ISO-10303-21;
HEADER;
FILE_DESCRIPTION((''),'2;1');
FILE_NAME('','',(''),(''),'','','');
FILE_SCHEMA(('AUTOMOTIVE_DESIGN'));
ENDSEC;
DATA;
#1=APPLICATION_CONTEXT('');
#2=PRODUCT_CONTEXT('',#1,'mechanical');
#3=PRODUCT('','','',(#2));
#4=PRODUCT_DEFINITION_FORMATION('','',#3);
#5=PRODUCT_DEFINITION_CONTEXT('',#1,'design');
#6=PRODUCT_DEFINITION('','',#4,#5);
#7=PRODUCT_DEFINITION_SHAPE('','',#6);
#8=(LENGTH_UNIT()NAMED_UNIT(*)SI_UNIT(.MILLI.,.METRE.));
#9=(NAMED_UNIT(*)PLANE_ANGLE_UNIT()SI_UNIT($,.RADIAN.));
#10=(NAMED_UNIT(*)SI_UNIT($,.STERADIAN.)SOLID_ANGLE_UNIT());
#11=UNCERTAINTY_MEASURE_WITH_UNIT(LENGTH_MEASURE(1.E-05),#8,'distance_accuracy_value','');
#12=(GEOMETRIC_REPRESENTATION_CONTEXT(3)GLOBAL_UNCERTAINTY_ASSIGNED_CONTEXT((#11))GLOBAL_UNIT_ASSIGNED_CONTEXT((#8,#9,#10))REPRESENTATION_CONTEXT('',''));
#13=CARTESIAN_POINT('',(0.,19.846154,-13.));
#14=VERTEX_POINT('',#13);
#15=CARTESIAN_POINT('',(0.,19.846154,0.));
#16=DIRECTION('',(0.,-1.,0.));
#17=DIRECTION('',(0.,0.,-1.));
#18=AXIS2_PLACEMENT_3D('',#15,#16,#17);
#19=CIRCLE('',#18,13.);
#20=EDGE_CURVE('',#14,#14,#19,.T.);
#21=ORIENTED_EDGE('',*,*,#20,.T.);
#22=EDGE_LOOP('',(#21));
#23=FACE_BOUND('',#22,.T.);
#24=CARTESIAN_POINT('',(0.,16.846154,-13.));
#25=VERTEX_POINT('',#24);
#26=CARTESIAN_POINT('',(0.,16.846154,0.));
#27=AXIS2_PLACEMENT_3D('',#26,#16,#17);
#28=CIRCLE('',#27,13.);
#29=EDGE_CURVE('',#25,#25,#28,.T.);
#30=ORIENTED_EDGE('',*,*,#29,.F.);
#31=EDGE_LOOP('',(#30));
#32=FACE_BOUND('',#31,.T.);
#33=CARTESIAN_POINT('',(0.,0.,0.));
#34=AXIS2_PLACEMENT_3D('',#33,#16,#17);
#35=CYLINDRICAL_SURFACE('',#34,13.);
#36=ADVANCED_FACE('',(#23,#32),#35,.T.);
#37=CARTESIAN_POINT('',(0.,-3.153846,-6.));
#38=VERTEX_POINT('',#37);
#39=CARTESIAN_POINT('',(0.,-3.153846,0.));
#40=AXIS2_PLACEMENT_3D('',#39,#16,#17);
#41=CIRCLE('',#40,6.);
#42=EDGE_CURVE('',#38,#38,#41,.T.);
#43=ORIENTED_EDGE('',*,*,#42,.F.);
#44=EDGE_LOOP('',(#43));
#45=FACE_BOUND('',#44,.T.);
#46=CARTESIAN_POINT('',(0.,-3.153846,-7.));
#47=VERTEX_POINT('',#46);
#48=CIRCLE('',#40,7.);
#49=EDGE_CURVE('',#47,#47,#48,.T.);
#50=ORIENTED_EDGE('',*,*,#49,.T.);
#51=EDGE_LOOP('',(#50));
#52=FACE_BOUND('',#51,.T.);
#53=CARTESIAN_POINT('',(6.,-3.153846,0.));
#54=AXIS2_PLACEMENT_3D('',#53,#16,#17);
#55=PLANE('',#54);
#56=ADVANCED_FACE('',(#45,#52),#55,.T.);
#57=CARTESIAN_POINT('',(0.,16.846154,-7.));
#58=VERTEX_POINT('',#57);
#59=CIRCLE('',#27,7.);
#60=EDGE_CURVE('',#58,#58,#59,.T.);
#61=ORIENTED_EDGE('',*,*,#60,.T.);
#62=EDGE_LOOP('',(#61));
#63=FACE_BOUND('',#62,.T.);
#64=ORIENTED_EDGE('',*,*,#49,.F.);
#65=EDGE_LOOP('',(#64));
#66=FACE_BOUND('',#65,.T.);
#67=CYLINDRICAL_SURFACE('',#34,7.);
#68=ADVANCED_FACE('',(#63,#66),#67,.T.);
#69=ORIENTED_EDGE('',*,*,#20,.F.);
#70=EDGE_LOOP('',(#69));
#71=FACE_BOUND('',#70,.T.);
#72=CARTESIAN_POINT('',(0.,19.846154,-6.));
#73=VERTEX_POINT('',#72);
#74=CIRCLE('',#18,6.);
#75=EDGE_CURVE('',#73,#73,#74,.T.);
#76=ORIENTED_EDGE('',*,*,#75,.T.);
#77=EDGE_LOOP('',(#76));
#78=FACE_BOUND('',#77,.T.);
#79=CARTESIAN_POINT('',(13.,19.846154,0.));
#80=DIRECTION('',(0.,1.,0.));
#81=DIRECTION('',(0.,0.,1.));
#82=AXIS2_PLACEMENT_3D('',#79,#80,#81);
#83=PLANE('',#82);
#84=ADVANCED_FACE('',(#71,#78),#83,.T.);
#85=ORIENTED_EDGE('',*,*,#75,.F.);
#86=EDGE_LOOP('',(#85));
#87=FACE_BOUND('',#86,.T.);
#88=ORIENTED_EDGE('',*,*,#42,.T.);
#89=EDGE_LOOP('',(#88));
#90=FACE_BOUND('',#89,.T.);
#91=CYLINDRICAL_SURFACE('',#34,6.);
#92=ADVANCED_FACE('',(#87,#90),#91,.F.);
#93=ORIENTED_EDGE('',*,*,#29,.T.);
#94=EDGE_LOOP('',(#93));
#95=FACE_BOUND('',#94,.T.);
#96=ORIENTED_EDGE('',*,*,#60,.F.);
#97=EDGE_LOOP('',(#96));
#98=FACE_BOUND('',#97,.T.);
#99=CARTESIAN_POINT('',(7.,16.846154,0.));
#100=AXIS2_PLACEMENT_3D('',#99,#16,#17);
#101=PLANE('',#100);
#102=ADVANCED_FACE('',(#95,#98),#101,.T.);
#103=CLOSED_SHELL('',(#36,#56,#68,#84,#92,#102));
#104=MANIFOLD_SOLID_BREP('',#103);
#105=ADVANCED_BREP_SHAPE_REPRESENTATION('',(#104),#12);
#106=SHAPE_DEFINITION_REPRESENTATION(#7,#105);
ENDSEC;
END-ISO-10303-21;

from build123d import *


with BuildPart() as part:
    # Sketch2 → Revolve1 (revolve)
    with BuildSketch(Plane.XY, mode=Mode.PRIVATE) as revolve1_sk:
        Polygon((6, 16.846153846), (6, -3.153846154), (7, -3.153846154), (7, 16.846153846), (13, 16.846153846), (13, 19.846153846), (6, 19.846153846), align=None)
    revolve(revolve1_sk.sketch.rotate(Axis((0, 0, 0), (0, 1, 0)), 90), axis=Axis((0, 0, 0), (0, 1, 0)))


solid = part.part
